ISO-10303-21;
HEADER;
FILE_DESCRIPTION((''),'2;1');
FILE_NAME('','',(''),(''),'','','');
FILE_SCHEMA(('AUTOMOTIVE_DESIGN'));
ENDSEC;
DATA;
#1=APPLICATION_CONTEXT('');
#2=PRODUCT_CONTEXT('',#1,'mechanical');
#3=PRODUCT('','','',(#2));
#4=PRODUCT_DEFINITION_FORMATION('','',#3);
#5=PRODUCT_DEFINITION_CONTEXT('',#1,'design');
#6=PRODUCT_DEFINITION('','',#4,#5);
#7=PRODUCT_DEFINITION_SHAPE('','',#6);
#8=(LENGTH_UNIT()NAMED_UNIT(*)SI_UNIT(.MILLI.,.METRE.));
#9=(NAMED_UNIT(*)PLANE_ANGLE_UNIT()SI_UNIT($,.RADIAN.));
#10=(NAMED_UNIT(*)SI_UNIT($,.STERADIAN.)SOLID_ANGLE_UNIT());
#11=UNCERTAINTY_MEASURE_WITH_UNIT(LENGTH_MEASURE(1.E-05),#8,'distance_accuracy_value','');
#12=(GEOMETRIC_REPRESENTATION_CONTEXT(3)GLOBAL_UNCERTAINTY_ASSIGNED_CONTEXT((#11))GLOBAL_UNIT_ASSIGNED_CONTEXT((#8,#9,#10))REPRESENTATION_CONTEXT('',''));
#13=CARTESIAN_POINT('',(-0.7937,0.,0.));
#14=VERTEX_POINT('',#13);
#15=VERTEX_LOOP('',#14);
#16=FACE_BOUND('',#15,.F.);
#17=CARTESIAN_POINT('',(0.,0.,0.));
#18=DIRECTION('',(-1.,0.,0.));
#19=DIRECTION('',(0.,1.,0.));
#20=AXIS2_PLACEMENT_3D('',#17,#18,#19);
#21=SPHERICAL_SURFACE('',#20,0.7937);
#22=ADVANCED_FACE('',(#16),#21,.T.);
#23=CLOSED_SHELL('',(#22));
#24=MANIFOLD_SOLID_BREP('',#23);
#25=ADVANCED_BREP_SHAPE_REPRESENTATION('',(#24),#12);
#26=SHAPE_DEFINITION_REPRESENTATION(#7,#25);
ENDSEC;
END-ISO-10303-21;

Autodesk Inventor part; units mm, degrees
sketch "Sketch_1" plane through (0, 0, 0) normal (0, 0, 1) x (1, 0, 0)
  line L0 (0.7937, 0) -> (-0.7937, 0)
  arc A0 (0.7937, 0) -> (-0.7937, 0) centre (0, 0) ccw
  line L1 (0.7937, 0) -> (-0.7937, 0)
revolve "Revolution1" add sketch "Sketch_1" angle 360 about axis through (0.7937, 0, 0) along (1, 0, 0)
ref_plane "1_XY" through (0, 0, 0) normal (0, 0, 1) x (1, 0, 0)
ref_plane "1_YZ" through (0, 0, 0) normal (1, 0, 0) x (0, 1, 0)
ref_plane "1_ZX" through (0, 0, 0) normal (0, 1, 0) x (0, 0, 1)
properties part number "A-2216_ball"
